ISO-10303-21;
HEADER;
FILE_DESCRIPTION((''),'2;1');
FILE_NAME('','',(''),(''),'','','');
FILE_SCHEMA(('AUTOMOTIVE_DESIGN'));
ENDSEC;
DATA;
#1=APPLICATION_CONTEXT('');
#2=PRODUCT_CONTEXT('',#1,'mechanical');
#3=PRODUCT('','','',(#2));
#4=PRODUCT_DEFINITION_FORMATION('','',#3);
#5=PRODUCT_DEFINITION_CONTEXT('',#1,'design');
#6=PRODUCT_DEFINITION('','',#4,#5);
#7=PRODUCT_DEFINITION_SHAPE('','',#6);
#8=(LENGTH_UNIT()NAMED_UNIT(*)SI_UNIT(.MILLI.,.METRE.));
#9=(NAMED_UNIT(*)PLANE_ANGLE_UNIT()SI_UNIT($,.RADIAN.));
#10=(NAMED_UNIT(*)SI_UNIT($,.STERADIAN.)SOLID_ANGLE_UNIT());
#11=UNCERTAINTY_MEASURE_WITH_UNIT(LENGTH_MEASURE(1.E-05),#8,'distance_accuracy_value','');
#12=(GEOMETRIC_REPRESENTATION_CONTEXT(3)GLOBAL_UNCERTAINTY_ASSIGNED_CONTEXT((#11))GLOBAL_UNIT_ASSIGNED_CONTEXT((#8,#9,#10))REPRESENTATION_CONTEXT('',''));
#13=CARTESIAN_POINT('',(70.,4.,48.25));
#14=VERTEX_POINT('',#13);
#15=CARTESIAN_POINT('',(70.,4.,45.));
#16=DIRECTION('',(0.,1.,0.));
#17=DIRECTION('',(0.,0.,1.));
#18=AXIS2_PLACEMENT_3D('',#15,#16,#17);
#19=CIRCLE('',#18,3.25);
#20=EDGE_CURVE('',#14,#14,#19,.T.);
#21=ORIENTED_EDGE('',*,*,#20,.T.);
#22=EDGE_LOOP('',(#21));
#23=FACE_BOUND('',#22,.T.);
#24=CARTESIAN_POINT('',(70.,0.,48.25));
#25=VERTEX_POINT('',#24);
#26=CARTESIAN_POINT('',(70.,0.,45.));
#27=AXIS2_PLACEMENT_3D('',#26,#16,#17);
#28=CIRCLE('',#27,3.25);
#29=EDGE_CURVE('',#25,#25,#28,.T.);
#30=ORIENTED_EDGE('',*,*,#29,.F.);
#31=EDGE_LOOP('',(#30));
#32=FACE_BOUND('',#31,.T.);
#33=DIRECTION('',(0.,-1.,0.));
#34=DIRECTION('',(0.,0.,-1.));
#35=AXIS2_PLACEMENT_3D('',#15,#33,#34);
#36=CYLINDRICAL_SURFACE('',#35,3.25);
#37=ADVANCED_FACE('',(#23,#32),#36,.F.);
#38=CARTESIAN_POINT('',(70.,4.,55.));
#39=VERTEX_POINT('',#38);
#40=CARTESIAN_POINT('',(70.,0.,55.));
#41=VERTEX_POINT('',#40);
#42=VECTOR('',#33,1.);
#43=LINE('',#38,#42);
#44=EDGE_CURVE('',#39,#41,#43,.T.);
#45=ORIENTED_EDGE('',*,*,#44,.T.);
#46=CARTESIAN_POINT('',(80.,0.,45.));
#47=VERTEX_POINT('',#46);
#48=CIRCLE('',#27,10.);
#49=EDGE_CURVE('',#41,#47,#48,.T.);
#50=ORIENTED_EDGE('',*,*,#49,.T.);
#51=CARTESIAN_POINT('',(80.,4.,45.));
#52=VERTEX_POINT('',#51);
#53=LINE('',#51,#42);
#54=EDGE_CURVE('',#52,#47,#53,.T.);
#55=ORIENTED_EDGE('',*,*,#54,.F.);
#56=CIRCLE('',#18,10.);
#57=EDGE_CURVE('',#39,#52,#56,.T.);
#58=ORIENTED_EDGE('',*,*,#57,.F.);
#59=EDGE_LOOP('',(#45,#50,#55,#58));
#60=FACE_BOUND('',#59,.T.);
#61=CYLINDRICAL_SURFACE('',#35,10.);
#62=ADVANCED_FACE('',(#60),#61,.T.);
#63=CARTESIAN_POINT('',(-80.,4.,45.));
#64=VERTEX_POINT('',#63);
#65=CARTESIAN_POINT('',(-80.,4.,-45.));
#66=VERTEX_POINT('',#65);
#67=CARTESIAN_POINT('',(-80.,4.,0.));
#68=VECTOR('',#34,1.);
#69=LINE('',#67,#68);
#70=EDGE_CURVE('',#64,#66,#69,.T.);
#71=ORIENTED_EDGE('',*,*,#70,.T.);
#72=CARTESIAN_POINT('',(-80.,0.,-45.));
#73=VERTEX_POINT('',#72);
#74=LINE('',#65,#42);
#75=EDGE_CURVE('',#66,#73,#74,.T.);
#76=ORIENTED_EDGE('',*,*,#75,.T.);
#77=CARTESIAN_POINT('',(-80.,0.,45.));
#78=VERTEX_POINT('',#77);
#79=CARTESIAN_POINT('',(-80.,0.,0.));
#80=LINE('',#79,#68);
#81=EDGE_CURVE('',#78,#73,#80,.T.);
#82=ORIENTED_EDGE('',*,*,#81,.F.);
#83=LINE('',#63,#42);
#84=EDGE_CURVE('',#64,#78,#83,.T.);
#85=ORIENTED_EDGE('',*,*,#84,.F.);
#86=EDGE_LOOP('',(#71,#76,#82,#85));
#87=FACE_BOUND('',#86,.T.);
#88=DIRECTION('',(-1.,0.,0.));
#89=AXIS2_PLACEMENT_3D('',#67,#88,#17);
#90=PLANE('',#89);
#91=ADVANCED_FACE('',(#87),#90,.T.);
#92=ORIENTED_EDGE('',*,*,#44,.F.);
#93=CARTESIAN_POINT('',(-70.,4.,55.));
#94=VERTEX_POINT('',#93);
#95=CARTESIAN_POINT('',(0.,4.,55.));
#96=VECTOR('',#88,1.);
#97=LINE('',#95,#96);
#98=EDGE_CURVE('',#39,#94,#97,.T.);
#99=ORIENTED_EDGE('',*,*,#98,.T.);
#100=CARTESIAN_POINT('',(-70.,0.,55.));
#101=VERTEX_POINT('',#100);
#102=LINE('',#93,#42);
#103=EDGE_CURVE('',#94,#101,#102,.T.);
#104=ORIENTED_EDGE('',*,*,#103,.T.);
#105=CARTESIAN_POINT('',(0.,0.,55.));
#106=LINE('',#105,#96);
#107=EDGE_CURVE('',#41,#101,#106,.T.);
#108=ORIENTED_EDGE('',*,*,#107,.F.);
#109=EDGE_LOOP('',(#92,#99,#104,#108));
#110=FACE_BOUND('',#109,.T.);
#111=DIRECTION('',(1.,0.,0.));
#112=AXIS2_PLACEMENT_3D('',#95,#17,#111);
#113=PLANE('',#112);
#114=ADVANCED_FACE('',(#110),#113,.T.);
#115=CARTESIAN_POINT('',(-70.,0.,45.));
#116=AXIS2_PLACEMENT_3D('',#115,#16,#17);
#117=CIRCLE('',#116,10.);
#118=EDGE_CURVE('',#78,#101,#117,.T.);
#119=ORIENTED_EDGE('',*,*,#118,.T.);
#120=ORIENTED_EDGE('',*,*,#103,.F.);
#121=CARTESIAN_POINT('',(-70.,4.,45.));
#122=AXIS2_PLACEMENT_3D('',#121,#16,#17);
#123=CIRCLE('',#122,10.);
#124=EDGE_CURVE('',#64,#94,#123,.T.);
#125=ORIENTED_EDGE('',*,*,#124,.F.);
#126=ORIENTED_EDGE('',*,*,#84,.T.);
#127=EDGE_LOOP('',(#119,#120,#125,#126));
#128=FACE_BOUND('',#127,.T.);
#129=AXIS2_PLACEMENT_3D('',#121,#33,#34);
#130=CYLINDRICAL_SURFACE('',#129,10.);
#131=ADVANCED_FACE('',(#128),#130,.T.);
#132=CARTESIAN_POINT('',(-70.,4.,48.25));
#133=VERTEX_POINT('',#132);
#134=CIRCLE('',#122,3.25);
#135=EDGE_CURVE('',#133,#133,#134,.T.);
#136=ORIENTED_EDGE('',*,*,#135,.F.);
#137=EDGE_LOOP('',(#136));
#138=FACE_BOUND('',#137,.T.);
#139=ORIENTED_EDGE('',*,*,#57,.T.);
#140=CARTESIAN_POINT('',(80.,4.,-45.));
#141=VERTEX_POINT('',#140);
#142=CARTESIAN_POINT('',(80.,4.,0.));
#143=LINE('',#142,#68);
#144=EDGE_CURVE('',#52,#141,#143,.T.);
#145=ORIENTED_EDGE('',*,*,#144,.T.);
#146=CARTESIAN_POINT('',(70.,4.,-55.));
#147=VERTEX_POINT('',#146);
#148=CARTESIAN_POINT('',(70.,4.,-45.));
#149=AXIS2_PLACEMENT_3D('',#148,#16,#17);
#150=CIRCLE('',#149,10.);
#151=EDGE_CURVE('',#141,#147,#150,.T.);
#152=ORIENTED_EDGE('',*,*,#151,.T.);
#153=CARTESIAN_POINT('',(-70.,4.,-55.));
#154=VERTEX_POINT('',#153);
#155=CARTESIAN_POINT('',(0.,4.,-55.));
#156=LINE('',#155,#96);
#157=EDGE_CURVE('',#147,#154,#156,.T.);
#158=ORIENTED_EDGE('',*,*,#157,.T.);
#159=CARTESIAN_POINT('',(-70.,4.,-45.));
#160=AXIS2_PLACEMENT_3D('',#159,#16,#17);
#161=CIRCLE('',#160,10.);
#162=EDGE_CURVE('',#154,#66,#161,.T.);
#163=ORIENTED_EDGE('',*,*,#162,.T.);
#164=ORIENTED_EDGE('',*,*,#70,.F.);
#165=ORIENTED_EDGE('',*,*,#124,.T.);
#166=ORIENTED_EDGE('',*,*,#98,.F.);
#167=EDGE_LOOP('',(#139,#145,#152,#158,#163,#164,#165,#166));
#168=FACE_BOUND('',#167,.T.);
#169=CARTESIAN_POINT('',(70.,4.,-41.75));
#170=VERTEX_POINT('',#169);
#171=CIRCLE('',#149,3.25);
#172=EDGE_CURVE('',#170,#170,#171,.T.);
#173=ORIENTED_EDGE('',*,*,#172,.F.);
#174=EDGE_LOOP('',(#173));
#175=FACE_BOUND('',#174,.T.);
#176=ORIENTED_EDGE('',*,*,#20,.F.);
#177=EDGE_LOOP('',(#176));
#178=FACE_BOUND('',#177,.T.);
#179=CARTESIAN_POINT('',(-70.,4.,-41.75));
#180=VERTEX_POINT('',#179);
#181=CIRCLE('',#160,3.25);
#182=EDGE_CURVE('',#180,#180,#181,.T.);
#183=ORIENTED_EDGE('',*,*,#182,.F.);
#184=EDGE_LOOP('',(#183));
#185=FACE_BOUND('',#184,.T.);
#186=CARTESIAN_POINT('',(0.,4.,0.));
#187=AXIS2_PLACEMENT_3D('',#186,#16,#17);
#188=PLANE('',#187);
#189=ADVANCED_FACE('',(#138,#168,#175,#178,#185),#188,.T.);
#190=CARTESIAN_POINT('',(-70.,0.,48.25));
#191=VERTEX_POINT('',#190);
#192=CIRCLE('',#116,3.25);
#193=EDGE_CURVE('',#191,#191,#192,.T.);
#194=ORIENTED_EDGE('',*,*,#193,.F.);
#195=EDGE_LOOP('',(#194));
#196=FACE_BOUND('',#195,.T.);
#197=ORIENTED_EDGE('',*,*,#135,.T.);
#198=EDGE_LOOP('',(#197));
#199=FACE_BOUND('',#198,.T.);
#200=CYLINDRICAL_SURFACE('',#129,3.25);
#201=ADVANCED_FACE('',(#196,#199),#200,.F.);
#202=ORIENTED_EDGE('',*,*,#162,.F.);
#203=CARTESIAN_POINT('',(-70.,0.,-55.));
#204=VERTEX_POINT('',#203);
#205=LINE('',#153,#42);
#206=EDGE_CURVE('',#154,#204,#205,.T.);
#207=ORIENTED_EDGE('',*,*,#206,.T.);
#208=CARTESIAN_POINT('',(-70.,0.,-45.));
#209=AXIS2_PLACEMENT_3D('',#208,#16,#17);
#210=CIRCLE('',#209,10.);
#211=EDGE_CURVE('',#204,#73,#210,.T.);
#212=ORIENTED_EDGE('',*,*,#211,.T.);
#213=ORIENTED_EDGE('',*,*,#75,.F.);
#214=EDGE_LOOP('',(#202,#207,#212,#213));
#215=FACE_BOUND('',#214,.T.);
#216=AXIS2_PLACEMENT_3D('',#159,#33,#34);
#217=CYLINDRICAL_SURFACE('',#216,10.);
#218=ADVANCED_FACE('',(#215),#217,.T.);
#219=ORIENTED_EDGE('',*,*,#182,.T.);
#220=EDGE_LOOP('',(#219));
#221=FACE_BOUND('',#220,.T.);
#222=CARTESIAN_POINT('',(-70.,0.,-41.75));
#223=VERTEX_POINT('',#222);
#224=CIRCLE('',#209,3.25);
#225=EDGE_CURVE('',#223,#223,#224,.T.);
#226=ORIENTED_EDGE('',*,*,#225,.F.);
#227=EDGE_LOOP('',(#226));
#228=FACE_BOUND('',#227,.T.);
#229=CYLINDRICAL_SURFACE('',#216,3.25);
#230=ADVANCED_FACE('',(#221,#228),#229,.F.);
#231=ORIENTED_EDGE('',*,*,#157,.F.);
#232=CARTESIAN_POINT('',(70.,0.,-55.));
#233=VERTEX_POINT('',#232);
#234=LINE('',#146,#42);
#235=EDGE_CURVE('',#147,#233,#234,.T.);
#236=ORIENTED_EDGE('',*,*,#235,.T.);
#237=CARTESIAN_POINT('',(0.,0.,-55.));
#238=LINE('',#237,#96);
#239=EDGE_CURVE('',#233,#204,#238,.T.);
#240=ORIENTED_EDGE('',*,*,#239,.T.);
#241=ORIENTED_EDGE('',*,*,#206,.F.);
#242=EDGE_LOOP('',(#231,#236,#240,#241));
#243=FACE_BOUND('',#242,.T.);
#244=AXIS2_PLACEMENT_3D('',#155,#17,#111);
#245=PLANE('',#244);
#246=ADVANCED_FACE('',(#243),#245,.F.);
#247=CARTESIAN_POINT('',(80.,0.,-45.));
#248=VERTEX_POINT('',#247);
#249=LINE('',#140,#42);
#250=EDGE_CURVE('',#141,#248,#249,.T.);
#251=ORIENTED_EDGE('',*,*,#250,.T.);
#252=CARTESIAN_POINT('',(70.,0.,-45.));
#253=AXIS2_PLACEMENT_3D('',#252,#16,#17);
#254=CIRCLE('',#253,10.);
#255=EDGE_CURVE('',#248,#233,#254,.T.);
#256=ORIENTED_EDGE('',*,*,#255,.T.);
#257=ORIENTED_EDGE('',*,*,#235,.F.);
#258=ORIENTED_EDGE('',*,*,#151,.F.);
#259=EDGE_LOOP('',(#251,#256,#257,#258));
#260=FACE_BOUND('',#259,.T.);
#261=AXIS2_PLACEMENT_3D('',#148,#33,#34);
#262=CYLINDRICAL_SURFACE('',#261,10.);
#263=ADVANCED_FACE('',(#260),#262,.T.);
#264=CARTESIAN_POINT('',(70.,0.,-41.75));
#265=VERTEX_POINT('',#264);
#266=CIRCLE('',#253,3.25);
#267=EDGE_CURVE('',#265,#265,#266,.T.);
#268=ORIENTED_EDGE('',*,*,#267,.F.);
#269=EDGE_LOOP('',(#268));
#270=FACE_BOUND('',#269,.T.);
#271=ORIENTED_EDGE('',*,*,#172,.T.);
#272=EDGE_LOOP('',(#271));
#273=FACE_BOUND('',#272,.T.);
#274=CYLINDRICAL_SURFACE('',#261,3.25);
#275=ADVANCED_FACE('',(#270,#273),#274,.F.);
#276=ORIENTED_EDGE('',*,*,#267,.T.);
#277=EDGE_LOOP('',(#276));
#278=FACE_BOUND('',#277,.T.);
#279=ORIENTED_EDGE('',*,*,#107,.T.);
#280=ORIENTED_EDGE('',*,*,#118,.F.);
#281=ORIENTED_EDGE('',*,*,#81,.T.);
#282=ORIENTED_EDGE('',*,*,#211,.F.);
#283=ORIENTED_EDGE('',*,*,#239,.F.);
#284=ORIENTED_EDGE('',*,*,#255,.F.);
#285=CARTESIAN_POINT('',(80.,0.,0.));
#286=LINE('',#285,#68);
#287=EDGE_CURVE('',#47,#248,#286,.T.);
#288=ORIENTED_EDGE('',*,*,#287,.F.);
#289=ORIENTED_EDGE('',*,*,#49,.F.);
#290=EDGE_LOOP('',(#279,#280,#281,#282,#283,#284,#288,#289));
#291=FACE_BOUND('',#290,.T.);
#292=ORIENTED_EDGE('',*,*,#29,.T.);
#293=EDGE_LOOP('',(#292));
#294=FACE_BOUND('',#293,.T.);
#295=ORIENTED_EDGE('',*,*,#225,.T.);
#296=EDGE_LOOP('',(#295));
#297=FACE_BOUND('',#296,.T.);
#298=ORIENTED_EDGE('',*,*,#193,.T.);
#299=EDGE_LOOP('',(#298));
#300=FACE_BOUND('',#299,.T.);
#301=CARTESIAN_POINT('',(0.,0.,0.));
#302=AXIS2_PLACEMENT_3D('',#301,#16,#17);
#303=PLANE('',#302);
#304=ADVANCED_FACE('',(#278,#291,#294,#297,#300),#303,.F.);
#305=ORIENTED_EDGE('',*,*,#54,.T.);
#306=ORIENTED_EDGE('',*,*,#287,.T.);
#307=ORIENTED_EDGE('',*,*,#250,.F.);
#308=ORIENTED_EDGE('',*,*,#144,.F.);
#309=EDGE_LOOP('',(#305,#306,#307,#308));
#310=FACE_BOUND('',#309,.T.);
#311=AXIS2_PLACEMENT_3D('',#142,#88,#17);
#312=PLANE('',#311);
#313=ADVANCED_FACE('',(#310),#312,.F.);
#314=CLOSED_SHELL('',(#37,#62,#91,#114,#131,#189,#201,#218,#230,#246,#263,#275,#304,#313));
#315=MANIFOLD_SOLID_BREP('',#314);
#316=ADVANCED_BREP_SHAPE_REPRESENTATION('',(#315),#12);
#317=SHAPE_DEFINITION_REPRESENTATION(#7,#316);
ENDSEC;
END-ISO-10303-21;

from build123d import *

# Parameters (mm, degrees)
SKETCH_1_R      = 3.25
EXTRUDE_1_DEPTH = 4


with BuildPart() as part:
    # Эскиз1 → Бобышка-Вытянуть1 (new body)
    with BuildSketch(Plane(origin=(0, 0, 0), x_dir=(1, 0, 0), z_dir=(0, 1, 0))):
        with BuildLine():
            Line((70, -55), (-70, -55))
            ThreePointArc((-70, -55), (-77.071067812, -52.071067812), (-80, -45))
            Line((-80, -45), (-80, 45))
            ThreePointArc((-80, 45), (-77.071067812, 52.071067812), (-70, 55))
            Line((-70, 55), (70, 55))
            ThreePointArc((70, 55), (77.071067812, 52.071067812), (80, 45))
            Line((80, 45), (80, -45))
            ThreePointArc((80, -45), (77.071067812, -52.071067812), (70, -55))
        make_face()
        with Locations((-70, 45)):
            Circle(SKETCH_1_R, mode=Mode.SUBTRACT)
        with Locations((-70, -45)):
            Circle(SKETCH_1_R, mode=Mode.SUBTRACT)
        with Locations((70, -45)):
            Circle(SKETCH_1_R, mode=Mode.SUBTRACT)
        with Locations((70, 45)):
            Circle(SKETCH_1_R, mode=Mode.SUBTRACT)
    extrude(amount=EXTRUDE_1_DEPTH)


solid = part.part
